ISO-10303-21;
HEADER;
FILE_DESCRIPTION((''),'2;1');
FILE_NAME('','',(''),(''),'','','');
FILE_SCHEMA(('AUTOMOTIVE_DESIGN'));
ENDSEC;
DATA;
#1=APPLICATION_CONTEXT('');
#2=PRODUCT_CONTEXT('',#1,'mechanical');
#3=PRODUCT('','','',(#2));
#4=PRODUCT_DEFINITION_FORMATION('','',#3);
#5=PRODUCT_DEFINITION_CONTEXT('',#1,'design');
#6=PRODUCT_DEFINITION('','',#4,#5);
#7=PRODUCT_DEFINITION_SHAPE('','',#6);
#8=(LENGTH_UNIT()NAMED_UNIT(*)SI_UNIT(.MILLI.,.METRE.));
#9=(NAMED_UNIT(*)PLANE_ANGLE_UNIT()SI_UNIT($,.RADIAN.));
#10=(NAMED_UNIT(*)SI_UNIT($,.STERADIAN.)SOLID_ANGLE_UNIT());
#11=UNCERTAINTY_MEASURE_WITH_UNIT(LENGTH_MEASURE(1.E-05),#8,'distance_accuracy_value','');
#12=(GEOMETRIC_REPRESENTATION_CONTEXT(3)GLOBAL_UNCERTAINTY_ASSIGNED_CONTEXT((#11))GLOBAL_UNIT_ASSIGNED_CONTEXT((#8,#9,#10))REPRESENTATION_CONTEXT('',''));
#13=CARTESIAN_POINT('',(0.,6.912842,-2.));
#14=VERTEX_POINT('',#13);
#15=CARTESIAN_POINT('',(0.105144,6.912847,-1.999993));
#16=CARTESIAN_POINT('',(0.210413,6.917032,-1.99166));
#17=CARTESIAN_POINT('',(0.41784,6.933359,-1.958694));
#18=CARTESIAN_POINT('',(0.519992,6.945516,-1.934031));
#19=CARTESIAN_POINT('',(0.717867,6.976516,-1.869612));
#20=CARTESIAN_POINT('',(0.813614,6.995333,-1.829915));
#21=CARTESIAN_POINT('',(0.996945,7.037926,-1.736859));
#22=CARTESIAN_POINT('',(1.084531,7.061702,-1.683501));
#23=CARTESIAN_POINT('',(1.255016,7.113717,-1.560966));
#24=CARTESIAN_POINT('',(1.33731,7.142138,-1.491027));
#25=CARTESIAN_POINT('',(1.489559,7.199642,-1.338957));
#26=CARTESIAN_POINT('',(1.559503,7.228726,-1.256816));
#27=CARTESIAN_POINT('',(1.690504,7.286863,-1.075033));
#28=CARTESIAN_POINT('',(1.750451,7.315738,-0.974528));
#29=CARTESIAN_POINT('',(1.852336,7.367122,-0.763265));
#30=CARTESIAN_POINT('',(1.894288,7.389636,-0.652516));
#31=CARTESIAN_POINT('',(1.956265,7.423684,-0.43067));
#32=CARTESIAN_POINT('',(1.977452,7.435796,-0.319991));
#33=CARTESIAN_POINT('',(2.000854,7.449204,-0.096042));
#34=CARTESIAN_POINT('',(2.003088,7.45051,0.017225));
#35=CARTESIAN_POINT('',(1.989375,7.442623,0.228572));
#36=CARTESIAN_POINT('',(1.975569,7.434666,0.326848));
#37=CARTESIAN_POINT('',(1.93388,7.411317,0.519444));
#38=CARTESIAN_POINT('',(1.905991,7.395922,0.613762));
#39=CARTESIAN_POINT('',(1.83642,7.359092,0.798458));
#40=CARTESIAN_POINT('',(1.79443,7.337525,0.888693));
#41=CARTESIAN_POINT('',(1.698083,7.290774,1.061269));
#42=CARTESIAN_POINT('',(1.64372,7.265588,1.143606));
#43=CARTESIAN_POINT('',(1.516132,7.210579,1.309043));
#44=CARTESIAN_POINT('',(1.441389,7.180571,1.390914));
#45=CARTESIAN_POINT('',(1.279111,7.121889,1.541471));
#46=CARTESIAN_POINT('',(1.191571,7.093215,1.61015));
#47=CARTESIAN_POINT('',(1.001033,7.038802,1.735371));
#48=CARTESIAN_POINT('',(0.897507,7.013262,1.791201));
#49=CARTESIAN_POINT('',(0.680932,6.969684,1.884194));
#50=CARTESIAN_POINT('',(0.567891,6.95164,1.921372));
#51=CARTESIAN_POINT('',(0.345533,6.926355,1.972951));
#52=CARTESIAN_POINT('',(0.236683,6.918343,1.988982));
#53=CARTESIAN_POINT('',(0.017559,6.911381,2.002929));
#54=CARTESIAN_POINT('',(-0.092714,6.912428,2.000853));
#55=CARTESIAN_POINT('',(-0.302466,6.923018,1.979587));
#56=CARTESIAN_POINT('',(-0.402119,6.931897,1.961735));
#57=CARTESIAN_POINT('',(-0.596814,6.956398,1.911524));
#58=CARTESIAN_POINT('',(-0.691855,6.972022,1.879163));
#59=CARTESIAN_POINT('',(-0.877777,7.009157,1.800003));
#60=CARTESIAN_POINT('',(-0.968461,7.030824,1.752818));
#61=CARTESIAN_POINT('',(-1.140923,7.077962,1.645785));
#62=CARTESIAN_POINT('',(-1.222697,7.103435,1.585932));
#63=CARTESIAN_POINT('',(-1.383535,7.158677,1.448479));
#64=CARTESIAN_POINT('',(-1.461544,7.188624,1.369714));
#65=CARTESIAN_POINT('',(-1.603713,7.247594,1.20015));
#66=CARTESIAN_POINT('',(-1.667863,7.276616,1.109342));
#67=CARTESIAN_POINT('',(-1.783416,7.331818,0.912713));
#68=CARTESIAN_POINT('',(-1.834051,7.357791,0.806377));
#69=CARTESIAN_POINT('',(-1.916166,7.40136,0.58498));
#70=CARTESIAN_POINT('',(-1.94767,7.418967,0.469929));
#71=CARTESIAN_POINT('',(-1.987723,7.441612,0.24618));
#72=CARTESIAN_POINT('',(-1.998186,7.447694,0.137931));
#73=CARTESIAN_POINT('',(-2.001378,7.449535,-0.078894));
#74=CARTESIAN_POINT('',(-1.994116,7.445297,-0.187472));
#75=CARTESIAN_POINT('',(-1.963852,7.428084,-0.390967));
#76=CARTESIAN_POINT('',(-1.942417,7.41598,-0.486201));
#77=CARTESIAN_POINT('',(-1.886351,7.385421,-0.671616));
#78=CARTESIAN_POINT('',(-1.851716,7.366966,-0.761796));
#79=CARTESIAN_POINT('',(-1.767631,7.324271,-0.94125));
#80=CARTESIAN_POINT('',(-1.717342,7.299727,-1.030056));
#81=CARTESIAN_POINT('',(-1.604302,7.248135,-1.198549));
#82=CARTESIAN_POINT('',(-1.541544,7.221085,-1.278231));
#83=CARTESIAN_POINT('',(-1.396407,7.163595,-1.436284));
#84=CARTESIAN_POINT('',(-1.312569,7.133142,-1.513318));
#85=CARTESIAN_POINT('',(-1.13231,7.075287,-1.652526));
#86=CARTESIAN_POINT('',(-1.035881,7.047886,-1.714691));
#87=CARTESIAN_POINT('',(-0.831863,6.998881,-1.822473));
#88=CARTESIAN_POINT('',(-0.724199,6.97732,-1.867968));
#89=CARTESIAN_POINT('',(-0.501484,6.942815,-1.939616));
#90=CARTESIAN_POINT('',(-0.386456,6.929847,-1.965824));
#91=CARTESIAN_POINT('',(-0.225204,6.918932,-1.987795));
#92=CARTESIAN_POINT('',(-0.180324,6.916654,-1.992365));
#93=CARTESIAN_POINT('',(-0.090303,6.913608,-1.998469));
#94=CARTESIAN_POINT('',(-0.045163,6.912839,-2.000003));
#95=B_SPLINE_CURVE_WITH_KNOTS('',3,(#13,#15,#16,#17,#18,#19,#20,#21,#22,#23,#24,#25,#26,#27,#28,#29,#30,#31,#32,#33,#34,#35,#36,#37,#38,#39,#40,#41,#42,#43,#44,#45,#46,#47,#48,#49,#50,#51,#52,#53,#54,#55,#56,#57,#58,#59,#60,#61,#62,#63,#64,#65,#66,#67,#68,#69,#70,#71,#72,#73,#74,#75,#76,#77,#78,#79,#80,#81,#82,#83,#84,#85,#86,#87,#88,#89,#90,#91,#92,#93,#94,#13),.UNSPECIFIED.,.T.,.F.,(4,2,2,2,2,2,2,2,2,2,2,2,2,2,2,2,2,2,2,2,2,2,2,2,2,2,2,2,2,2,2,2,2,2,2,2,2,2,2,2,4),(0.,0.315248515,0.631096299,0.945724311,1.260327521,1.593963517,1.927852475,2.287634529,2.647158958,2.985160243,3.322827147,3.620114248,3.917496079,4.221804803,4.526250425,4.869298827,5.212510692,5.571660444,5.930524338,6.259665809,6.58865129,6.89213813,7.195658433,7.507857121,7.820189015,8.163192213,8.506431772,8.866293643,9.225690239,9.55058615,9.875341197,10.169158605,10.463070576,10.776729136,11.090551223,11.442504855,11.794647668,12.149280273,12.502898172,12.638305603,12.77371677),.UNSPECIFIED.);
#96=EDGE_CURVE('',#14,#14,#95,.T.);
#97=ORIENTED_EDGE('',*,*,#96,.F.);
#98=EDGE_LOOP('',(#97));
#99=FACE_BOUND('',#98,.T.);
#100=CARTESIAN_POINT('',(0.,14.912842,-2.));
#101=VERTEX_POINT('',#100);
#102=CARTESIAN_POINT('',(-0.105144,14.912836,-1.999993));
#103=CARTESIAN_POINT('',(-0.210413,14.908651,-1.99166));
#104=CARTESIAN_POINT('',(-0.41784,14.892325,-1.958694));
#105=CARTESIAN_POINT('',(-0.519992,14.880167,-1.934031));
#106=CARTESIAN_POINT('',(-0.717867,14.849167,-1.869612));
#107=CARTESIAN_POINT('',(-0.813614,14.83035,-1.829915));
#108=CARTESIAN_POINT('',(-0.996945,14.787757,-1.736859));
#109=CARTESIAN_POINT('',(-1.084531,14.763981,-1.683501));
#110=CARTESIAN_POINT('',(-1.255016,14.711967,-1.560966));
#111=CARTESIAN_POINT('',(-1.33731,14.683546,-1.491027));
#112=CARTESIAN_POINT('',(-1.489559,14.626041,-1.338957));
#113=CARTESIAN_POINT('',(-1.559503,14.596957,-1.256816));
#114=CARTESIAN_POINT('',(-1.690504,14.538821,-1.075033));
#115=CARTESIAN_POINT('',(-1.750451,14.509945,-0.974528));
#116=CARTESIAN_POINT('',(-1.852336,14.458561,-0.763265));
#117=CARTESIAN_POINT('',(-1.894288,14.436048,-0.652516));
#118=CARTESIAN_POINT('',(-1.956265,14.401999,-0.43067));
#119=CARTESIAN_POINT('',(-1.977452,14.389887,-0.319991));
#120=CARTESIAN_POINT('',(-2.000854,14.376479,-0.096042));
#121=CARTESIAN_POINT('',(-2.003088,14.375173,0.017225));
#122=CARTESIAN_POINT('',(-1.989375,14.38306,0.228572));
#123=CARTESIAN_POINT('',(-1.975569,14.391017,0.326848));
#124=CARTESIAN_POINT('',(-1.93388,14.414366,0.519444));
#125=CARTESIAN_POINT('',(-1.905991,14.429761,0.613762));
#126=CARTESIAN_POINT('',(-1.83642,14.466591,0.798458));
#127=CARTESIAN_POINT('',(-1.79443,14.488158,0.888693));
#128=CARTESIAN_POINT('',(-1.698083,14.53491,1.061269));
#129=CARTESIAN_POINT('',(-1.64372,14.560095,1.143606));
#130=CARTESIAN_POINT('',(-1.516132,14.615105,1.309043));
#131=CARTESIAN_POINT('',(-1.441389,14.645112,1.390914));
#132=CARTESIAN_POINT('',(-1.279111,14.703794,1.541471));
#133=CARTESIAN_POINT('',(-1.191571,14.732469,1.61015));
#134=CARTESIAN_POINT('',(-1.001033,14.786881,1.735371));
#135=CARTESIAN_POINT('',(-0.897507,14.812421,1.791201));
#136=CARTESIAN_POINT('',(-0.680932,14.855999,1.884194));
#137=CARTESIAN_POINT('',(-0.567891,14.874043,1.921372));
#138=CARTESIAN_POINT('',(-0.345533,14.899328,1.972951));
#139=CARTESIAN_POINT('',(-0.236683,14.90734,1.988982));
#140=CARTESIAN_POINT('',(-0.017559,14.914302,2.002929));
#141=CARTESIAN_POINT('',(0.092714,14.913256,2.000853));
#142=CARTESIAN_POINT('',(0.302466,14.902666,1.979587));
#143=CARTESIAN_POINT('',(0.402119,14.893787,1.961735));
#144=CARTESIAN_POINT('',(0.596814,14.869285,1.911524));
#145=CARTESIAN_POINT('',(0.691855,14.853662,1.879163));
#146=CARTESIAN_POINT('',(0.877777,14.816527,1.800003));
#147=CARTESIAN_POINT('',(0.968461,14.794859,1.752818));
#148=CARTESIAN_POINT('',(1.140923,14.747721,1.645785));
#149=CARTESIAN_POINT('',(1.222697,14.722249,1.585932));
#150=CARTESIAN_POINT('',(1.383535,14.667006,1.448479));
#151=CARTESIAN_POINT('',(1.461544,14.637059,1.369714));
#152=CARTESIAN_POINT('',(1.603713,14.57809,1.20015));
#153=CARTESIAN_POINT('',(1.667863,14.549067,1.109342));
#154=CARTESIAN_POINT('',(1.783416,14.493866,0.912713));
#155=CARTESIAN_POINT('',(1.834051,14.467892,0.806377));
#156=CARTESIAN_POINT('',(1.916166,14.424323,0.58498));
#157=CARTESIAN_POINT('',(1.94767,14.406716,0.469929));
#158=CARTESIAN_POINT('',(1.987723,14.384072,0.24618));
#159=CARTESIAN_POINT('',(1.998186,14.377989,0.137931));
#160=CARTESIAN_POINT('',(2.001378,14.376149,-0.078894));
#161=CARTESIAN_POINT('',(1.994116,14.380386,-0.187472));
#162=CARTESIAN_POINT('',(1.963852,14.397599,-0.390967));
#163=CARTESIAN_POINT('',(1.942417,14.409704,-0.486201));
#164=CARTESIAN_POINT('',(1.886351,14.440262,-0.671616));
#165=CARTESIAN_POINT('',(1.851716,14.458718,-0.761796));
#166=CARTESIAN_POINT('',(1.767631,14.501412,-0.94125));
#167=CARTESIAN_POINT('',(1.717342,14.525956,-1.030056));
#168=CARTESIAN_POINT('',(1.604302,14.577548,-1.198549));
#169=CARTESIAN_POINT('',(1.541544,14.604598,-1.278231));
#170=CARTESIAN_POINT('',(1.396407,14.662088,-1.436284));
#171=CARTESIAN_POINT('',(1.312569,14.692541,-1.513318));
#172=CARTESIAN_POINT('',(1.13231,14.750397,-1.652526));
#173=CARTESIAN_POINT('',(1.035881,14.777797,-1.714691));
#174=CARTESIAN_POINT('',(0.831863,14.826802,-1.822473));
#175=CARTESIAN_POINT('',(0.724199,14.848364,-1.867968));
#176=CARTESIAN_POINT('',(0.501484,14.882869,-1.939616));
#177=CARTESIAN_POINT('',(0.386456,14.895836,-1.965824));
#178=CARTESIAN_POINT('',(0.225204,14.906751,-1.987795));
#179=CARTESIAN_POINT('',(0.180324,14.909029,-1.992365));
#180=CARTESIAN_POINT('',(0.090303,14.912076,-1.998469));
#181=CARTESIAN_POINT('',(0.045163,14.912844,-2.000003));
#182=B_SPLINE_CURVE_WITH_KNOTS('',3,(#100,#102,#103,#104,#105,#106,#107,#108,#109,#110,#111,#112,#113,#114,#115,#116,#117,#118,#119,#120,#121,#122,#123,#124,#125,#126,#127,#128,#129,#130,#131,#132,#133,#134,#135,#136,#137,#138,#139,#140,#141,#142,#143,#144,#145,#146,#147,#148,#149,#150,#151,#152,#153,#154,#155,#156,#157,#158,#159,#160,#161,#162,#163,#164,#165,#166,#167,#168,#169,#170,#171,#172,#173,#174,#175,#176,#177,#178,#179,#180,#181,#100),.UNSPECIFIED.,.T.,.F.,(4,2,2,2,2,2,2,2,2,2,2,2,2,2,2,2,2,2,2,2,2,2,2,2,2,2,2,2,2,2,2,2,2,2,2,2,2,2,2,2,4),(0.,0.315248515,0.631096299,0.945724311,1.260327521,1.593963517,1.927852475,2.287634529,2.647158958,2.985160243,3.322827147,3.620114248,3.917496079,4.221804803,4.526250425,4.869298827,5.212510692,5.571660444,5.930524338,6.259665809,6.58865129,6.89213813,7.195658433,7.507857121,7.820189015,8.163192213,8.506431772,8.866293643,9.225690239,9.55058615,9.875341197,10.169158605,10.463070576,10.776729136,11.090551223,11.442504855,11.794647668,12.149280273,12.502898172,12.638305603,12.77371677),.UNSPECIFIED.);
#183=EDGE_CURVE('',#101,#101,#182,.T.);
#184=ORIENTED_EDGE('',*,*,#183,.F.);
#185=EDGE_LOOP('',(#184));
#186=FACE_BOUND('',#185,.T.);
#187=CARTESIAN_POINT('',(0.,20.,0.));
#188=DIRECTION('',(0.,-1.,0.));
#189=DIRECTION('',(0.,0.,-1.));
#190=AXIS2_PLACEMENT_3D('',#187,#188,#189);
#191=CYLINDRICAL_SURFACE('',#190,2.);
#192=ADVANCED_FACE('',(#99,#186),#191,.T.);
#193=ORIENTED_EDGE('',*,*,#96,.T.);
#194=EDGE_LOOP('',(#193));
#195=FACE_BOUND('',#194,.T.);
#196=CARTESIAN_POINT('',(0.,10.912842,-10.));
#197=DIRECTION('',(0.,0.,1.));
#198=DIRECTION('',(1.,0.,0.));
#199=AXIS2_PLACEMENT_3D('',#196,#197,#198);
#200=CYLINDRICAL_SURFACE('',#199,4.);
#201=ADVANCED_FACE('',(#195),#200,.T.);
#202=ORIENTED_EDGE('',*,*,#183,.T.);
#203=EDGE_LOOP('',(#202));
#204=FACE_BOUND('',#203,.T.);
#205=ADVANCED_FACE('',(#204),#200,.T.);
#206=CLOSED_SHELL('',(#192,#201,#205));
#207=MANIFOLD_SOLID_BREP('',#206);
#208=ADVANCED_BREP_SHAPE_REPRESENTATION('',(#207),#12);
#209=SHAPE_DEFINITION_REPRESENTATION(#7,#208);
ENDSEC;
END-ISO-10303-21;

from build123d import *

# Parameters (mm, degrees)
SKETCH1_R           = 2
BOSS_EXTRUDE1_DEPTH = 20
SKETCH2_OUTSIDE_W   = 10.156
SKETCH2_OUTSIDE_H   = 26.156
SKETCH2_OUTSIDE_R   = 4
CUT_EXTRUDE2_DEPTH  = 10


with BuildPart() as part:
    # Sketch1 → Boss-Extrude1 (new body)
    with BuildSketch(Plane(origin=(0, 0, 0), x_dir=(1, 0, 0), z_dir=(0, 1, 0))):
        with Locations(Location((0, 0, 0), (0, 0, 270))):
            Circle(SKETCH1_R)
    extrude(amount=BOSS_EXTRUDE1_DEPTH)

    # Sketch2 outside → Cut-Extrude2 (cut, symmetric)
    with BuildSketch(Plane.XY):
        with Locations((0, 10)):
            Rectangle(SKETCH2_OUTSIDE_W, SKETCH2_OUTSIDE_H)
        with Locations((0, 10.912841677)):
            Circle(SKETCH2_OUTSIDE_R, mode=Mode.SUBTRACT)
    extrude(amount=CUT_EXTRUDE2_DEPTH, both=True, mode=Mode.SUBTRACT)


solid = part.part
